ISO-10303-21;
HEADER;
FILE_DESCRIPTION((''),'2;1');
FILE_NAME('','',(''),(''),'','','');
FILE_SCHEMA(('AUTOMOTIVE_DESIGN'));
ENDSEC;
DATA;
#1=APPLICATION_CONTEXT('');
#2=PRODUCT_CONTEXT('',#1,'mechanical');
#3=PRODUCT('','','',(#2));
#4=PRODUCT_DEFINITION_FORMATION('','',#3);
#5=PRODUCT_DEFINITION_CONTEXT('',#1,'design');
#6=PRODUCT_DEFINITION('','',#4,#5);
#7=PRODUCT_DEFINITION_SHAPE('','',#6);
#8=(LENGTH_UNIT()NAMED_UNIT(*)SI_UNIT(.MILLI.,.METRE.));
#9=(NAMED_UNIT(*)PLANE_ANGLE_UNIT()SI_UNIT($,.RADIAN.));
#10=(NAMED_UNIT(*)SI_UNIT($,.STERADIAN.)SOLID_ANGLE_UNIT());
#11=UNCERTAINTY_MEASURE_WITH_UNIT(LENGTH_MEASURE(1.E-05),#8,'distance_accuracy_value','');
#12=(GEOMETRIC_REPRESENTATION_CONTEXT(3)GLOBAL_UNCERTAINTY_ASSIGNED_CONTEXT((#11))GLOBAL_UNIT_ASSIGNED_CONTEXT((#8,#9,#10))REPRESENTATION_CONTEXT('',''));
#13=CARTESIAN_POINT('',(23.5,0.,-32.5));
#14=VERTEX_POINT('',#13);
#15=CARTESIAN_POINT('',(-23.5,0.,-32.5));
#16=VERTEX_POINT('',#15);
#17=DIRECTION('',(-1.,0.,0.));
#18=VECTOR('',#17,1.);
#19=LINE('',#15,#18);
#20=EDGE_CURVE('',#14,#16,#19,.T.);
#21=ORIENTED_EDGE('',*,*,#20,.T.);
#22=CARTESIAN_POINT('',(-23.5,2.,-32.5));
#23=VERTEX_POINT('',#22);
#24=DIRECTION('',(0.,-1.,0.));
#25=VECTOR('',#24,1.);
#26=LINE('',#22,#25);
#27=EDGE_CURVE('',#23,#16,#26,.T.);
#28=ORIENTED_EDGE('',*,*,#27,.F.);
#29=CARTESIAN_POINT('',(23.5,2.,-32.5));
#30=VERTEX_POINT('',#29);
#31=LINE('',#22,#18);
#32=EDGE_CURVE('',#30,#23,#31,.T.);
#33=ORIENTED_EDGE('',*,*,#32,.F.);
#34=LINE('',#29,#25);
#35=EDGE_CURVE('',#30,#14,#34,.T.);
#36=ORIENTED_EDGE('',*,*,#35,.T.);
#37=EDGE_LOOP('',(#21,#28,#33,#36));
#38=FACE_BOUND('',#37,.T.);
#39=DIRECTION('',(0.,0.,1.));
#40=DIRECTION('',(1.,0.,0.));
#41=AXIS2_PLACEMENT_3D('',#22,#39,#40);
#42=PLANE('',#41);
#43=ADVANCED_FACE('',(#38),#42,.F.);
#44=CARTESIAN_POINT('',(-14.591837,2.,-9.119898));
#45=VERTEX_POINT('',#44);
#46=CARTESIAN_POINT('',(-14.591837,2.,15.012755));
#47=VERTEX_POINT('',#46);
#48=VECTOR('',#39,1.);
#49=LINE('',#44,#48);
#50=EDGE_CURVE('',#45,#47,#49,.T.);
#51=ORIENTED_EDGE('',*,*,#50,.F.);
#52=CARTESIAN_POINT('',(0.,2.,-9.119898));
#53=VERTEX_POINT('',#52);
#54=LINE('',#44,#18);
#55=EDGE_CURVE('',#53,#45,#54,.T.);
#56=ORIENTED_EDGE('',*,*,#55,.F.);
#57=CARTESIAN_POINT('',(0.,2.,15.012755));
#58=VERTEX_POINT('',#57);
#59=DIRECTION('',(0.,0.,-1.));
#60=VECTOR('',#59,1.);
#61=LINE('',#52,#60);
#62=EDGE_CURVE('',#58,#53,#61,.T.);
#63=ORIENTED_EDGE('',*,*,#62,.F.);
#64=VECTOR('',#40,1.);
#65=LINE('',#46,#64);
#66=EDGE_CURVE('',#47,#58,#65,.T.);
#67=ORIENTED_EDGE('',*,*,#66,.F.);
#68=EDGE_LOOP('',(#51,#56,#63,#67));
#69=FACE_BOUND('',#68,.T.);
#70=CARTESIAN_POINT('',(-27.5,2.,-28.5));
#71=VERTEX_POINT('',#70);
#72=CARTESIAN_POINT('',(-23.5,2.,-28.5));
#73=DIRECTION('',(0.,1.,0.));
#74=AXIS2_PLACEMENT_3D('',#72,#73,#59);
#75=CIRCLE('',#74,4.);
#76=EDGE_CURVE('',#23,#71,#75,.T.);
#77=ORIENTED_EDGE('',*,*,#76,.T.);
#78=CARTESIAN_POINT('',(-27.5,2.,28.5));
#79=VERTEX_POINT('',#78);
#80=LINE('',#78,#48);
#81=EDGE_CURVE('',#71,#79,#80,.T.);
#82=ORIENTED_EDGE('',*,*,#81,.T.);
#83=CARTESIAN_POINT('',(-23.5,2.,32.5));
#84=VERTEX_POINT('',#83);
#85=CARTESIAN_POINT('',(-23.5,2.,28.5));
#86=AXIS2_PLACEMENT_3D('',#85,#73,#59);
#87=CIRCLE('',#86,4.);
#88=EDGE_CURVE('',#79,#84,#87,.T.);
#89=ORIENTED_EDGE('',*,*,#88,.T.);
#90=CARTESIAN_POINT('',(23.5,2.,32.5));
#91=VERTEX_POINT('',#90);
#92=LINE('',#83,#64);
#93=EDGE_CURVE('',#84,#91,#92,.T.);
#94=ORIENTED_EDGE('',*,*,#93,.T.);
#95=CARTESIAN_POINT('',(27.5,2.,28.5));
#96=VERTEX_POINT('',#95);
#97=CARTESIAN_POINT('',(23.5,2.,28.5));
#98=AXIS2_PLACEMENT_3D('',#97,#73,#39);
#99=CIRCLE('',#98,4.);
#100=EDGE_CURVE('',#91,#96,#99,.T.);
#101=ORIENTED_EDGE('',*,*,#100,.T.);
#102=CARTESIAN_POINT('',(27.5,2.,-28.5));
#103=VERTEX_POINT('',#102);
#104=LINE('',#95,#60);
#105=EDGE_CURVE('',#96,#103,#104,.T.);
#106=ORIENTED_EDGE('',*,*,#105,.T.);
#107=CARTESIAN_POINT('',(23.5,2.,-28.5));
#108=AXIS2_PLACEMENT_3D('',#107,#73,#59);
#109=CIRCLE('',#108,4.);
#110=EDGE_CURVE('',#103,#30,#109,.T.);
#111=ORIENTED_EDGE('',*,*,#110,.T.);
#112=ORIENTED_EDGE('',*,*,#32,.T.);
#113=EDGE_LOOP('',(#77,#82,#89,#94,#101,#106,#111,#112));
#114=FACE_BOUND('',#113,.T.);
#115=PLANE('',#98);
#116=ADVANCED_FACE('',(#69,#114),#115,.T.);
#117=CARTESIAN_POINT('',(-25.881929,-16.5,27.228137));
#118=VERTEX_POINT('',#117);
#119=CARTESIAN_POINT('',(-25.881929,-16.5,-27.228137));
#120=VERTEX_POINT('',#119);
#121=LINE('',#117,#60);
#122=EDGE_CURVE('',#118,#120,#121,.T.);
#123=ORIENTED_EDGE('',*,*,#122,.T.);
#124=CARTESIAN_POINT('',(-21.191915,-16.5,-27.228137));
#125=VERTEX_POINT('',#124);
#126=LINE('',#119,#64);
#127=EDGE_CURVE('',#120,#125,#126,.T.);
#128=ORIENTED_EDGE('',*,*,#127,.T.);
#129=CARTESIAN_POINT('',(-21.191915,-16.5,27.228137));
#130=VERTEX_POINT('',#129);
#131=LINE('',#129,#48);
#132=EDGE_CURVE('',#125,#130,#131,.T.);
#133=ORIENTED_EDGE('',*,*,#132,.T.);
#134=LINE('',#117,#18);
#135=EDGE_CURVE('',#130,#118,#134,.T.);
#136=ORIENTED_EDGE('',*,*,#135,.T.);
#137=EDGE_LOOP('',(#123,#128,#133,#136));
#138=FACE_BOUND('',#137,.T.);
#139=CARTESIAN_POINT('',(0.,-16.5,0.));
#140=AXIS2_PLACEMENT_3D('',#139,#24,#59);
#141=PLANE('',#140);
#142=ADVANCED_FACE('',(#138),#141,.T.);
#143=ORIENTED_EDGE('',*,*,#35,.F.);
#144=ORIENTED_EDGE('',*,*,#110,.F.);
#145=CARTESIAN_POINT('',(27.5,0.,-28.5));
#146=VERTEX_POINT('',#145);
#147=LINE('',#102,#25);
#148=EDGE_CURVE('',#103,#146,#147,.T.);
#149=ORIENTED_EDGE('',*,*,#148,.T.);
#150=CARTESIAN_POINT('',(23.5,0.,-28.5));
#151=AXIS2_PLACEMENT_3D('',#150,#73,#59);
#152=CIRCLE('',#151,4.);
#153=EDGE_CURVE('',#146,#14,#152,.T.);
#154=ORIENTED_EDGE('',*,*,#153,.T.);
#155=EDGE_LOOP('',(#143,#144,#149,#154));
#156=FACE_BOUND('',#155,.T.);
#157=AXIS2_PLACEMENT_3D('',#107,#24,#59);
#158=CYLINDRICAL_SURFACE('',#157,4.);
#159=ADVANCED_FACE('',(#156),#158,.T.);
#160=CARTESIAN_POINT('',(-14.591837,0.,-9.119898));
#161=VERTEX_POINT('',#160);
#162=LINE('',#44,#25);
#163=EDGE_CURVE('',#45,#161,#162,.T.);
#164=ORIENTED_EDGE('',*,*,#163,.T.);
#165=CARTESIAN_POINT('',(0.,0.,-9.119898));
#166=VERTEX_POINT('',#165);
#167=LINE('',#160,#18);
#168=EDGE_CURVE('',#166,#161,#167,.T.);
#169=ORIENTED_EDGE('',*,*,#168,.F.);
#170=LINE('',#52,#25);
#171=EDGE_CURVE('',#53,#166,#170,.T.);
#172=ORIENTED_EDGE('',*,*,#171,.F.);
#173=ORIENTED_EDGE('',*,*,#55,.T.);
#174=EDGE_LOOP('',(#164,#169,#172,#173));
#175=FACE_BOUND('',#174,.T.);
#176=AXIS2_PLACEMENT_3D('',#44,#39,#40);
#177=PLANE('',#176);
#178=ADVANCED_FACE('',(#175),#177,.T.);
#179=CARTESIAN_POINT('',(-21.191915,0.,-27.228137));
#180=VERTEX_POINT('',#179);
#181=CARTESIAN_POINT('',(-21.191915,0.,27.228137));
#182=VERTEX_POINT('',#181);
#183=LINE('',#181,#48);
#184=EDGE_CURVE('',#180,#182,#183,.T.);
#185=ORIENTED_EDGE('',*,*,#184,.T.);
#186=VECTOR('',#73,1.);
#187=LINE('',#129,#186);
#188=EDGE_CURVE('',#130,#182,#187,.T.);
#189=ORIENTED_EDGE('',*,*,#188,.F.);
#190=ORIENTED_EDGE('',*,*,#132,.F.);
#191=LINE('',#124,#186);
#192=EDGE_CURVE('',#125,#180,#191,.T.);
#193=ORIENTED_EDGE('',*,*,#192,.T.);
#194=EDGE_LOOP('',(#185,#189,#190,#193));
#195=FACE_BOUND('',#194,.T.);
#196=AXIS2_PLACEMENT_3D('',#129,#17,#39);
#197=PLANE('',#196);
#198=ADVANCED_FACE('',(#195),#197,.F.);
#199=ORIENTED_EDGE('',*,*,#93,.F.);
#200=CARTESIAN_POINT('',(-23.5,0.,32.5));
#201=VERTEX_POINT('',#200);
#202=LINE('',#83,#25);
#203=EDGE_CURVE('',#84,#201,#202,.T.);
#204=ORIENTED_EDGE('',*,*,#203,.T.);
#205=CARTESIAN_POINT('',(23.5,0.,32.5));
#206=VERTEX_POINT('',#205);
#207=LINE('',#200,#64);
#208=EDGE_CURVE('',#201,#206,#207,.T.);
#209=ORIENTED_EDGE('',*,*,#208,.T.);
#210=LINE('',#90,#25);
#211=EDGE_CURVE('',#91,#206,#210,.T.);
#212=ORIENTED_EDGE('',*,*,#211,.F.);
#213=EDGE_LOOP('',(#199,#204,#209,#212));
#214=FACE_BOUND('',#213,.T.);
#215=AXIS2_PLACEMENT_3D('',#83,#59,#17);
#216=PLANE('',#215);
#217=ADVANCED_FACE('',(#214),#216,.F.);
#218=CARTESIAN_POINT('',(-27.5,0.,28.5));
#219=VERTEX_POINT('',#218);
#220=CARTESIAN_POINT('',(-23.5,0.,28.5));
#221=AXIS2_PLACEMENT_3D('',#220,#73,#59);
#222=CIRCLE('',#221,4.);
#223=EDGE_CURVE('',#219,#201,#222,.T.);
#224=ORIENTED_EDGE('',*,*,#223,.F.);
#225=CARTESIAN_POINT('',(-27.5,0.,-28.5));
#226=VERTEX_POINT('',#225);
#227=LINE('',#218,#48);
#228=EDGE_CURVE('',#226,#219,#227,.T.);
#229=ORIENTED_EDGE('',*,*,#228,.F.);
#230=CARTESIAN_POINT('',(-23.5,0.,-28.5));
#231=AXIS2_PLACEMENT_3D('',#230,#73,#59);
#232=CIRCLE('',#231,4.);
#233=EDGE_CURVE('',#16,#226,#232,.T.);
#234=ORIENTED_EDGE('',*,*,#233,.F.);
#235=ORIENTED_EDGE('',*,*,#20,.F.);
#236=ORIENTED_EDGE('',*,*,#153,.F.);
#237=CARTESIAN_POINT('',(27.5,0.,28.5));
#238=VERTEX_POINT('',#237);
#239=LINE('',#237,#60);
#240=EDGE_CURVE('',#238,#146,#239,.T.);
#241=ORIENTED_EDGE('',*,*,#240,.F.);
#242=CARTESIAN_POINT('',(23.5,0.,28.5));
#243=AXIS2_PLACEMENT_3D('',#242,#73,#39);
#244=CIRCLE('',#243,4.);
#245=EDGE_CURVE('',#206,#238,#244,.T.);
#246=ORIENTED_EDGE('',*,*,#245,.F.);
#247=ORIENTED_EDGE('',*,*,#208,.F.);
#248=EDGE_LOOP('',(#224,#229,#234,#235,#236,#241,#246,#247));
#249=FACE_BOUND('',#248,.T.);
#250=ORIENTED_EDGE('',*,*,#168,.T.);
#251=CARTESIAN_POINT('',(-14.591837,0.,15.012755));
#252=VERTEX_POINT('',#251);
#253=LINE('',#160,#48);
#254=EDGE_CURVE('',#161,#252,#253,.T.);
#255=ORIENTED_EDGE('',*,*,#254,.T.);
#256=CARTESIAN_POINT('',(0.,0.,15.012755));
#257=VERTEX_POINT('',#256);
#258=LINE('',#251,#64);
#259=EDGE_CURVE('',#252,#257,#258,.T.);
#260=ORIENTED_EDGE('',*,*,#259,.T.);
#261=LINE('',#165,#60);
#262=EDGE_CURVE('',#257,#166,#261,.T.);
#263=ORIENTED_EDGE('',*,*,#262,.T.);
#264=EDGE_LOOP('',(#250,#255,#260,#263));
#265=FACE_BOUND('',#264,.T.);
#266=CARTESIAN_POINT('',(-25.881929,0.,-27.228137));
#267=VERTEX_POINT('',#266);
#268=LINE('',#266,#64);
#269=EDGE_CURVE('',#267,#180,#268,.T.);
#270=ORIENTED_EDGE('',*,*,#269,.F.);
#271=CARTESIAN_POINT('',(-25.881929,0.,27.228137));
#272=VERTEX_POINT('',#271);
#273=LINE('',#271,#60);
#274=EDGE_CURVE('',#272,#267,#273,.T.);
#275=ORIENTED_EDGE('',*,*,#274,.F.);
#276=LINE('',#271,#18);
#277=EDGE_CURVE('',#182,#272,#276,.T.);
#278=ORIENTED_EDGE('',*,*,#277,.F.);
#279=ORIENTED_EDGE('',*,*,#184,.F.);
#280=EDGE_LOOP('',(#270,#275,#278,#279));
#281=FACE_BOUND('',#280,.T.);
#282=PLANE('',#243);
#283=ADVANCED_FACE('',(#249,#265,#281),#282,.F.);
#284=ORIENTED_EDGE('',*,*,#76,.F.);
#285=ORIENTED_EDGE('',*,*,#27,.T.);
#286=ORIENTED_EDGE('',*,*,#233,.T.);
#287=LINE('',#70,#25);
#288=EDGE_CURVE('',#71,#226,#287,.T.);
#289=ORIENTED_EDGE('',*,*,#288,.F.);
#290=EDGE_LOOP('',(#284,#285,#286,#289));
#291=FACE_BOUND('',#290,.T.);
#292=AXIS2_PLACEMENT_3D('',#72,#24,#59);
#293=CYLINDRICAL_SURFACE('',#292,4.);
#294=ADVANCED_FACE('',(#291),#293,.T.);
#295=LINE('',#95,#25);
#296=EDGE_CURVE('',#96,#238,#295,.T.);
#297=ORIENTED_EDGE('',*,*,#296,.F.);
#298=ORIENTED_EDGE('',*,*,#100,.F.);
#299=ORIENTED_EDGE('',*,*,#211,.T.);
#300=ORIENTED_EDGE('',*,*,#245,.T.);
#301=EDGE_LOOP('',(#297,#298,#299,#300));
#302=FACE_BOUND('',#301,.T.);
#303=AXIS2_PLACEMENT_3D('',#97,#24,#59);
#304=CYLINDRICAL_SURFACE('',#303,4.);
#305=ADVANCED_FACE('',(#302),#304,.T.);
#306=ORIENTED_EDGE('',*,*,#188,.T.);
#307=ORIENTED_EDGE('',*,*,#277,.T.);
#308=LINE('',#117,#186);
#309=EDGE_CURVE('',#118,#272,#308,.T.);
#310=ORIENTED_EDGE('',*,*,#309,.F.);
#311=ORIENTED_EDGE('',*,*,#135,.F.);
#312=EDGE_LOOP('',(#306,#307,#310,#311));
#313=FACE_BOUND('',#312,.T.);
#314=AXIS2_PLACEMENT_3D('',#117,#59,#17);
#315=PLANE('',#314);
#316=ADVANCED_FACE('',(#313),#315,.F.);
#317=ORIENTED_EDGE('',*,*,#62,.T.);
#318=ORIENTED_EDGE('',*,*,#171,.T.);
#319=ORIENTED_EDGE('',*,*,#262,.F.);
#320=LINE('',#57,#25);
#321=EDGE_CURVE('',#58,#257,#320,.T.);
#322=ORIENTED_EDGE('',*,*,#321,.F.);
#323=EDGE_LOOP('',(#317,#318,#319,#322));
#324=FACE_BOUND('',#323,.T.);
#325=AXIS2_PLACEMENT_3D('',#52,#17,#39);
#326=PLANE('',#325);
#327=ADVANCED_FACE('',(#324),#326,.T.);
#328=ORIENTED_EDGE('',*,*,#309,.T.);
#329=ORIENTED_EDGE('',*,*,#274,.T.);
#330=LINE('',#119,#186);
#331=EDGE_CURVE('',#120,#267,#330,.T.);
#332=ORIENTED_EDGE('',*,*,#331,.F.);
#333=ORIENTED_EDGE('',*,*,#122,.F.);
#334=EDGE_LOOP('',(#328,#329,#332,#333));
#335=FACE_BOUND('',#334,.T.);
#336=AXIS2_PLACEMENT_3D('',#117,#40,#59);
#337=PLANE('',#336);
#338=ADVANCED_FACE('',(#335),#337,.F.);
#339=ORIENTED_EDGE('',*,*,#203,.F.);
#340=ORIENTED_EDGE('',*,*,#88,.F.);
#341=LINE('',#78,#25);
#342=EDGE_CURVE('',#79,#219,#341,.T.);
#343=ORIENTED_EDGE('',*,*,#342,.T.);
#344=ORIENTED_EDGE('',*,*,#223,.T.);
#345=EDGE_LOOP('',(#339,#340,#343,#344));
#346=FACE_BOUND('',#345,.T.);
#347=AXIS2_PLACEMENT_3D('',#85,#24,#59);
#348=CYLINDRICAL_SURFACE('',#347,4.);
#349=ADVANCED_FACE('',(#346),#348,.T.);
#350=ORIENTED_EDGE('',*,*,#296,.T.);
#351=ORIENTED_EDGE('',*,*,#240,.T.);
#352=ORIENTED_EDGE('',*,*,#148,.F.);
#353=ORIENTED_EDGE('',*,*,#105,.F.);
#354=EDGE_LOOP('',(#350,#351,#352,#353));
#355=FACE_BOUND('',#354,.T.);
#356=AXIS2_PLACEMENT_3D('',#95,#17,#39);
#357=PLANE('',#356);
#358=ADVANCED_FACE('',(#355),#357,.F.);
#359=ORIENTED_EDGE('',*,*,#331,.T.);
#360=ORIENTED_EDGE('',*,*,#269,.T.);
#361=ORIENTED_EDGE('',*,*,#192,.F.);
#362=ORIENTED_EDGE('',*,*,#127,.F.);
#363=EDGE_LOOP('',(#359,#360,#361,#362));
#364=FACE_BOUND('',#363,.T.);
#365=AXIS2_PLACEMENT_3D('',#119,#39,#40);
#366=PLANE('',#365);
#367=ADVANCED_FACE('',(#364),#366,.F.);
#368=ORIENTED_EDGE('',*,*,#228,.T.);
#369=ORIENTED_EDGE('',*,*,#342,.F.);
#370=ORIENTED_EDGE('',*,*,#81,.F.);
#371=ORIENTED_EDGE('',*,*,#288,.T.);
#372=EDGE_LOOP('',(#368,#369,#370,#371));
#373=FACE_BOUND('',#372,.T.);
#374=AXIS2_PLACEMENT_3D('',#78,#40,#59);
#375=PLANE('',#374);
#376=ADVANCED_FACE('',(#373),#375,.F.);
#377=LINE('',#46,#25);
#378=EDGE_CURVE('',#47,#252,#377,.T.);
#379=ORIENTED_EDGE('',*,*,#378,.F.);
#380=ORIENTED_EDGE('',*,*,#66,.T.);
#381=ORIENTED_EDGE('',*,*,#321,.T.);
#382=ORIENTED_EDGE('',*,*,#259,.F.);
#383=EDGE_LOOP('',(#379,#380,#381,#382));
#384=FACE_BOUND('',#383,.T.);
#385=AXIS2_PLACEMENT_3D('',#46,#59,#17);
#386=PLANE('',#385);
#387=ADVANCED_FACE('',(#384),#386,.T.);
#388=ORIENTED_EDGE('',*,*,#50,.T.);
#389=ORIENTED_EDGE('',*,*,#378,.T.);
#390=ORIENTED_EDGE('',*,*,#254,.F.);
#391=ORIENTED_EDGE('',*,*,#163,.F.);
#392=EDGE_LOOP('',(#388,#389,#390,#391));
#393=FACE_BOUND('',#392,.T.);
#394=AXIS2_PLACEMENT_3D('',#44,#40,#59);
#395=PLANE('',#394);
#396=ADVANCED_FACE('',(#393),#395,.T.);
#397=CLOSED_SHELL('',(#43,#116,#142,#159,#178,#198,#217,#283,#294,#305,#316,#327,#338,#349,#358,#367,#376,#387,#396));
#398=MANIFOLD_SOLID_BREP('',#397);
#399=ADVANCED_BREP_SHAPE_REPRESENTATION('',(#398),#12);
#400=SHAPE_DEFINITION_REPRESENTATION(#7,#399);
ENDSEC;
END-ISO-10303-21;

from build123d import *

# Parameters (mm, degrees)
SKETCH_1_W      = 14.591836735
SKETCH_1_H      = 24.132653061
EXTRUDE_1_DEPTH = 2
SKETCH_2_W      = 4.690013975
SKETCH_2_H      = 54.456273374
EXTRUDE_2_DEPTH = 16.5


with BuildPart() as part:
    # 草图1 → 凸台-拉伸1 (new body)
    with BuildSketch(Plane(origin=(0, 0, 0), x_dir=(1, 0, 0), z_dir=(0, 1, 0))):
        with BuildLine():
            Line((-23.5, -32.5), (23.5, -32.5))
            ThreePointArc((23.5, -32.5), (26.328427125, -31.328427125), (27.5, -28.5))
            Line((27.5, -28.5), (27.5, 28.5))
            ThreePointArc((27.5, 28.5), (26.328427125, 31.328427125), (23.5, 32.5))
            Line((23.5, 32.5), (-23.5, 32.5))
            ThreePointArc((-23.5, 32.5), (-26.328427125, 31.328427125), (-27.5, 28.5))
            Line((-27.5, 28.5), (-27.5, -28.5))
            ThreePointArc((-27.5, -28.5), (-26.328427125, -31.328427125), (-23.5, -32.5))
        make_face()
        with Locations((-7.295918368, -2.946428572)):
            Rectangle(SKETCH_1_W, SKETCH_1_H, mode=Mode.SUBTRACT)
    extrude(amount=EXTRUDE_1_DEPTH)

    # 草图2 → 凸台-拉伸2 (add)
    with BuildSketch(Plane.XZ):
        with Locations((-23.536921985, 0)):
            Rectangle(SKETCH_2_W, SKETCH_2_H)
    extrude(amount=EXTRUDE_2_DEPTH)


solid = part.part
